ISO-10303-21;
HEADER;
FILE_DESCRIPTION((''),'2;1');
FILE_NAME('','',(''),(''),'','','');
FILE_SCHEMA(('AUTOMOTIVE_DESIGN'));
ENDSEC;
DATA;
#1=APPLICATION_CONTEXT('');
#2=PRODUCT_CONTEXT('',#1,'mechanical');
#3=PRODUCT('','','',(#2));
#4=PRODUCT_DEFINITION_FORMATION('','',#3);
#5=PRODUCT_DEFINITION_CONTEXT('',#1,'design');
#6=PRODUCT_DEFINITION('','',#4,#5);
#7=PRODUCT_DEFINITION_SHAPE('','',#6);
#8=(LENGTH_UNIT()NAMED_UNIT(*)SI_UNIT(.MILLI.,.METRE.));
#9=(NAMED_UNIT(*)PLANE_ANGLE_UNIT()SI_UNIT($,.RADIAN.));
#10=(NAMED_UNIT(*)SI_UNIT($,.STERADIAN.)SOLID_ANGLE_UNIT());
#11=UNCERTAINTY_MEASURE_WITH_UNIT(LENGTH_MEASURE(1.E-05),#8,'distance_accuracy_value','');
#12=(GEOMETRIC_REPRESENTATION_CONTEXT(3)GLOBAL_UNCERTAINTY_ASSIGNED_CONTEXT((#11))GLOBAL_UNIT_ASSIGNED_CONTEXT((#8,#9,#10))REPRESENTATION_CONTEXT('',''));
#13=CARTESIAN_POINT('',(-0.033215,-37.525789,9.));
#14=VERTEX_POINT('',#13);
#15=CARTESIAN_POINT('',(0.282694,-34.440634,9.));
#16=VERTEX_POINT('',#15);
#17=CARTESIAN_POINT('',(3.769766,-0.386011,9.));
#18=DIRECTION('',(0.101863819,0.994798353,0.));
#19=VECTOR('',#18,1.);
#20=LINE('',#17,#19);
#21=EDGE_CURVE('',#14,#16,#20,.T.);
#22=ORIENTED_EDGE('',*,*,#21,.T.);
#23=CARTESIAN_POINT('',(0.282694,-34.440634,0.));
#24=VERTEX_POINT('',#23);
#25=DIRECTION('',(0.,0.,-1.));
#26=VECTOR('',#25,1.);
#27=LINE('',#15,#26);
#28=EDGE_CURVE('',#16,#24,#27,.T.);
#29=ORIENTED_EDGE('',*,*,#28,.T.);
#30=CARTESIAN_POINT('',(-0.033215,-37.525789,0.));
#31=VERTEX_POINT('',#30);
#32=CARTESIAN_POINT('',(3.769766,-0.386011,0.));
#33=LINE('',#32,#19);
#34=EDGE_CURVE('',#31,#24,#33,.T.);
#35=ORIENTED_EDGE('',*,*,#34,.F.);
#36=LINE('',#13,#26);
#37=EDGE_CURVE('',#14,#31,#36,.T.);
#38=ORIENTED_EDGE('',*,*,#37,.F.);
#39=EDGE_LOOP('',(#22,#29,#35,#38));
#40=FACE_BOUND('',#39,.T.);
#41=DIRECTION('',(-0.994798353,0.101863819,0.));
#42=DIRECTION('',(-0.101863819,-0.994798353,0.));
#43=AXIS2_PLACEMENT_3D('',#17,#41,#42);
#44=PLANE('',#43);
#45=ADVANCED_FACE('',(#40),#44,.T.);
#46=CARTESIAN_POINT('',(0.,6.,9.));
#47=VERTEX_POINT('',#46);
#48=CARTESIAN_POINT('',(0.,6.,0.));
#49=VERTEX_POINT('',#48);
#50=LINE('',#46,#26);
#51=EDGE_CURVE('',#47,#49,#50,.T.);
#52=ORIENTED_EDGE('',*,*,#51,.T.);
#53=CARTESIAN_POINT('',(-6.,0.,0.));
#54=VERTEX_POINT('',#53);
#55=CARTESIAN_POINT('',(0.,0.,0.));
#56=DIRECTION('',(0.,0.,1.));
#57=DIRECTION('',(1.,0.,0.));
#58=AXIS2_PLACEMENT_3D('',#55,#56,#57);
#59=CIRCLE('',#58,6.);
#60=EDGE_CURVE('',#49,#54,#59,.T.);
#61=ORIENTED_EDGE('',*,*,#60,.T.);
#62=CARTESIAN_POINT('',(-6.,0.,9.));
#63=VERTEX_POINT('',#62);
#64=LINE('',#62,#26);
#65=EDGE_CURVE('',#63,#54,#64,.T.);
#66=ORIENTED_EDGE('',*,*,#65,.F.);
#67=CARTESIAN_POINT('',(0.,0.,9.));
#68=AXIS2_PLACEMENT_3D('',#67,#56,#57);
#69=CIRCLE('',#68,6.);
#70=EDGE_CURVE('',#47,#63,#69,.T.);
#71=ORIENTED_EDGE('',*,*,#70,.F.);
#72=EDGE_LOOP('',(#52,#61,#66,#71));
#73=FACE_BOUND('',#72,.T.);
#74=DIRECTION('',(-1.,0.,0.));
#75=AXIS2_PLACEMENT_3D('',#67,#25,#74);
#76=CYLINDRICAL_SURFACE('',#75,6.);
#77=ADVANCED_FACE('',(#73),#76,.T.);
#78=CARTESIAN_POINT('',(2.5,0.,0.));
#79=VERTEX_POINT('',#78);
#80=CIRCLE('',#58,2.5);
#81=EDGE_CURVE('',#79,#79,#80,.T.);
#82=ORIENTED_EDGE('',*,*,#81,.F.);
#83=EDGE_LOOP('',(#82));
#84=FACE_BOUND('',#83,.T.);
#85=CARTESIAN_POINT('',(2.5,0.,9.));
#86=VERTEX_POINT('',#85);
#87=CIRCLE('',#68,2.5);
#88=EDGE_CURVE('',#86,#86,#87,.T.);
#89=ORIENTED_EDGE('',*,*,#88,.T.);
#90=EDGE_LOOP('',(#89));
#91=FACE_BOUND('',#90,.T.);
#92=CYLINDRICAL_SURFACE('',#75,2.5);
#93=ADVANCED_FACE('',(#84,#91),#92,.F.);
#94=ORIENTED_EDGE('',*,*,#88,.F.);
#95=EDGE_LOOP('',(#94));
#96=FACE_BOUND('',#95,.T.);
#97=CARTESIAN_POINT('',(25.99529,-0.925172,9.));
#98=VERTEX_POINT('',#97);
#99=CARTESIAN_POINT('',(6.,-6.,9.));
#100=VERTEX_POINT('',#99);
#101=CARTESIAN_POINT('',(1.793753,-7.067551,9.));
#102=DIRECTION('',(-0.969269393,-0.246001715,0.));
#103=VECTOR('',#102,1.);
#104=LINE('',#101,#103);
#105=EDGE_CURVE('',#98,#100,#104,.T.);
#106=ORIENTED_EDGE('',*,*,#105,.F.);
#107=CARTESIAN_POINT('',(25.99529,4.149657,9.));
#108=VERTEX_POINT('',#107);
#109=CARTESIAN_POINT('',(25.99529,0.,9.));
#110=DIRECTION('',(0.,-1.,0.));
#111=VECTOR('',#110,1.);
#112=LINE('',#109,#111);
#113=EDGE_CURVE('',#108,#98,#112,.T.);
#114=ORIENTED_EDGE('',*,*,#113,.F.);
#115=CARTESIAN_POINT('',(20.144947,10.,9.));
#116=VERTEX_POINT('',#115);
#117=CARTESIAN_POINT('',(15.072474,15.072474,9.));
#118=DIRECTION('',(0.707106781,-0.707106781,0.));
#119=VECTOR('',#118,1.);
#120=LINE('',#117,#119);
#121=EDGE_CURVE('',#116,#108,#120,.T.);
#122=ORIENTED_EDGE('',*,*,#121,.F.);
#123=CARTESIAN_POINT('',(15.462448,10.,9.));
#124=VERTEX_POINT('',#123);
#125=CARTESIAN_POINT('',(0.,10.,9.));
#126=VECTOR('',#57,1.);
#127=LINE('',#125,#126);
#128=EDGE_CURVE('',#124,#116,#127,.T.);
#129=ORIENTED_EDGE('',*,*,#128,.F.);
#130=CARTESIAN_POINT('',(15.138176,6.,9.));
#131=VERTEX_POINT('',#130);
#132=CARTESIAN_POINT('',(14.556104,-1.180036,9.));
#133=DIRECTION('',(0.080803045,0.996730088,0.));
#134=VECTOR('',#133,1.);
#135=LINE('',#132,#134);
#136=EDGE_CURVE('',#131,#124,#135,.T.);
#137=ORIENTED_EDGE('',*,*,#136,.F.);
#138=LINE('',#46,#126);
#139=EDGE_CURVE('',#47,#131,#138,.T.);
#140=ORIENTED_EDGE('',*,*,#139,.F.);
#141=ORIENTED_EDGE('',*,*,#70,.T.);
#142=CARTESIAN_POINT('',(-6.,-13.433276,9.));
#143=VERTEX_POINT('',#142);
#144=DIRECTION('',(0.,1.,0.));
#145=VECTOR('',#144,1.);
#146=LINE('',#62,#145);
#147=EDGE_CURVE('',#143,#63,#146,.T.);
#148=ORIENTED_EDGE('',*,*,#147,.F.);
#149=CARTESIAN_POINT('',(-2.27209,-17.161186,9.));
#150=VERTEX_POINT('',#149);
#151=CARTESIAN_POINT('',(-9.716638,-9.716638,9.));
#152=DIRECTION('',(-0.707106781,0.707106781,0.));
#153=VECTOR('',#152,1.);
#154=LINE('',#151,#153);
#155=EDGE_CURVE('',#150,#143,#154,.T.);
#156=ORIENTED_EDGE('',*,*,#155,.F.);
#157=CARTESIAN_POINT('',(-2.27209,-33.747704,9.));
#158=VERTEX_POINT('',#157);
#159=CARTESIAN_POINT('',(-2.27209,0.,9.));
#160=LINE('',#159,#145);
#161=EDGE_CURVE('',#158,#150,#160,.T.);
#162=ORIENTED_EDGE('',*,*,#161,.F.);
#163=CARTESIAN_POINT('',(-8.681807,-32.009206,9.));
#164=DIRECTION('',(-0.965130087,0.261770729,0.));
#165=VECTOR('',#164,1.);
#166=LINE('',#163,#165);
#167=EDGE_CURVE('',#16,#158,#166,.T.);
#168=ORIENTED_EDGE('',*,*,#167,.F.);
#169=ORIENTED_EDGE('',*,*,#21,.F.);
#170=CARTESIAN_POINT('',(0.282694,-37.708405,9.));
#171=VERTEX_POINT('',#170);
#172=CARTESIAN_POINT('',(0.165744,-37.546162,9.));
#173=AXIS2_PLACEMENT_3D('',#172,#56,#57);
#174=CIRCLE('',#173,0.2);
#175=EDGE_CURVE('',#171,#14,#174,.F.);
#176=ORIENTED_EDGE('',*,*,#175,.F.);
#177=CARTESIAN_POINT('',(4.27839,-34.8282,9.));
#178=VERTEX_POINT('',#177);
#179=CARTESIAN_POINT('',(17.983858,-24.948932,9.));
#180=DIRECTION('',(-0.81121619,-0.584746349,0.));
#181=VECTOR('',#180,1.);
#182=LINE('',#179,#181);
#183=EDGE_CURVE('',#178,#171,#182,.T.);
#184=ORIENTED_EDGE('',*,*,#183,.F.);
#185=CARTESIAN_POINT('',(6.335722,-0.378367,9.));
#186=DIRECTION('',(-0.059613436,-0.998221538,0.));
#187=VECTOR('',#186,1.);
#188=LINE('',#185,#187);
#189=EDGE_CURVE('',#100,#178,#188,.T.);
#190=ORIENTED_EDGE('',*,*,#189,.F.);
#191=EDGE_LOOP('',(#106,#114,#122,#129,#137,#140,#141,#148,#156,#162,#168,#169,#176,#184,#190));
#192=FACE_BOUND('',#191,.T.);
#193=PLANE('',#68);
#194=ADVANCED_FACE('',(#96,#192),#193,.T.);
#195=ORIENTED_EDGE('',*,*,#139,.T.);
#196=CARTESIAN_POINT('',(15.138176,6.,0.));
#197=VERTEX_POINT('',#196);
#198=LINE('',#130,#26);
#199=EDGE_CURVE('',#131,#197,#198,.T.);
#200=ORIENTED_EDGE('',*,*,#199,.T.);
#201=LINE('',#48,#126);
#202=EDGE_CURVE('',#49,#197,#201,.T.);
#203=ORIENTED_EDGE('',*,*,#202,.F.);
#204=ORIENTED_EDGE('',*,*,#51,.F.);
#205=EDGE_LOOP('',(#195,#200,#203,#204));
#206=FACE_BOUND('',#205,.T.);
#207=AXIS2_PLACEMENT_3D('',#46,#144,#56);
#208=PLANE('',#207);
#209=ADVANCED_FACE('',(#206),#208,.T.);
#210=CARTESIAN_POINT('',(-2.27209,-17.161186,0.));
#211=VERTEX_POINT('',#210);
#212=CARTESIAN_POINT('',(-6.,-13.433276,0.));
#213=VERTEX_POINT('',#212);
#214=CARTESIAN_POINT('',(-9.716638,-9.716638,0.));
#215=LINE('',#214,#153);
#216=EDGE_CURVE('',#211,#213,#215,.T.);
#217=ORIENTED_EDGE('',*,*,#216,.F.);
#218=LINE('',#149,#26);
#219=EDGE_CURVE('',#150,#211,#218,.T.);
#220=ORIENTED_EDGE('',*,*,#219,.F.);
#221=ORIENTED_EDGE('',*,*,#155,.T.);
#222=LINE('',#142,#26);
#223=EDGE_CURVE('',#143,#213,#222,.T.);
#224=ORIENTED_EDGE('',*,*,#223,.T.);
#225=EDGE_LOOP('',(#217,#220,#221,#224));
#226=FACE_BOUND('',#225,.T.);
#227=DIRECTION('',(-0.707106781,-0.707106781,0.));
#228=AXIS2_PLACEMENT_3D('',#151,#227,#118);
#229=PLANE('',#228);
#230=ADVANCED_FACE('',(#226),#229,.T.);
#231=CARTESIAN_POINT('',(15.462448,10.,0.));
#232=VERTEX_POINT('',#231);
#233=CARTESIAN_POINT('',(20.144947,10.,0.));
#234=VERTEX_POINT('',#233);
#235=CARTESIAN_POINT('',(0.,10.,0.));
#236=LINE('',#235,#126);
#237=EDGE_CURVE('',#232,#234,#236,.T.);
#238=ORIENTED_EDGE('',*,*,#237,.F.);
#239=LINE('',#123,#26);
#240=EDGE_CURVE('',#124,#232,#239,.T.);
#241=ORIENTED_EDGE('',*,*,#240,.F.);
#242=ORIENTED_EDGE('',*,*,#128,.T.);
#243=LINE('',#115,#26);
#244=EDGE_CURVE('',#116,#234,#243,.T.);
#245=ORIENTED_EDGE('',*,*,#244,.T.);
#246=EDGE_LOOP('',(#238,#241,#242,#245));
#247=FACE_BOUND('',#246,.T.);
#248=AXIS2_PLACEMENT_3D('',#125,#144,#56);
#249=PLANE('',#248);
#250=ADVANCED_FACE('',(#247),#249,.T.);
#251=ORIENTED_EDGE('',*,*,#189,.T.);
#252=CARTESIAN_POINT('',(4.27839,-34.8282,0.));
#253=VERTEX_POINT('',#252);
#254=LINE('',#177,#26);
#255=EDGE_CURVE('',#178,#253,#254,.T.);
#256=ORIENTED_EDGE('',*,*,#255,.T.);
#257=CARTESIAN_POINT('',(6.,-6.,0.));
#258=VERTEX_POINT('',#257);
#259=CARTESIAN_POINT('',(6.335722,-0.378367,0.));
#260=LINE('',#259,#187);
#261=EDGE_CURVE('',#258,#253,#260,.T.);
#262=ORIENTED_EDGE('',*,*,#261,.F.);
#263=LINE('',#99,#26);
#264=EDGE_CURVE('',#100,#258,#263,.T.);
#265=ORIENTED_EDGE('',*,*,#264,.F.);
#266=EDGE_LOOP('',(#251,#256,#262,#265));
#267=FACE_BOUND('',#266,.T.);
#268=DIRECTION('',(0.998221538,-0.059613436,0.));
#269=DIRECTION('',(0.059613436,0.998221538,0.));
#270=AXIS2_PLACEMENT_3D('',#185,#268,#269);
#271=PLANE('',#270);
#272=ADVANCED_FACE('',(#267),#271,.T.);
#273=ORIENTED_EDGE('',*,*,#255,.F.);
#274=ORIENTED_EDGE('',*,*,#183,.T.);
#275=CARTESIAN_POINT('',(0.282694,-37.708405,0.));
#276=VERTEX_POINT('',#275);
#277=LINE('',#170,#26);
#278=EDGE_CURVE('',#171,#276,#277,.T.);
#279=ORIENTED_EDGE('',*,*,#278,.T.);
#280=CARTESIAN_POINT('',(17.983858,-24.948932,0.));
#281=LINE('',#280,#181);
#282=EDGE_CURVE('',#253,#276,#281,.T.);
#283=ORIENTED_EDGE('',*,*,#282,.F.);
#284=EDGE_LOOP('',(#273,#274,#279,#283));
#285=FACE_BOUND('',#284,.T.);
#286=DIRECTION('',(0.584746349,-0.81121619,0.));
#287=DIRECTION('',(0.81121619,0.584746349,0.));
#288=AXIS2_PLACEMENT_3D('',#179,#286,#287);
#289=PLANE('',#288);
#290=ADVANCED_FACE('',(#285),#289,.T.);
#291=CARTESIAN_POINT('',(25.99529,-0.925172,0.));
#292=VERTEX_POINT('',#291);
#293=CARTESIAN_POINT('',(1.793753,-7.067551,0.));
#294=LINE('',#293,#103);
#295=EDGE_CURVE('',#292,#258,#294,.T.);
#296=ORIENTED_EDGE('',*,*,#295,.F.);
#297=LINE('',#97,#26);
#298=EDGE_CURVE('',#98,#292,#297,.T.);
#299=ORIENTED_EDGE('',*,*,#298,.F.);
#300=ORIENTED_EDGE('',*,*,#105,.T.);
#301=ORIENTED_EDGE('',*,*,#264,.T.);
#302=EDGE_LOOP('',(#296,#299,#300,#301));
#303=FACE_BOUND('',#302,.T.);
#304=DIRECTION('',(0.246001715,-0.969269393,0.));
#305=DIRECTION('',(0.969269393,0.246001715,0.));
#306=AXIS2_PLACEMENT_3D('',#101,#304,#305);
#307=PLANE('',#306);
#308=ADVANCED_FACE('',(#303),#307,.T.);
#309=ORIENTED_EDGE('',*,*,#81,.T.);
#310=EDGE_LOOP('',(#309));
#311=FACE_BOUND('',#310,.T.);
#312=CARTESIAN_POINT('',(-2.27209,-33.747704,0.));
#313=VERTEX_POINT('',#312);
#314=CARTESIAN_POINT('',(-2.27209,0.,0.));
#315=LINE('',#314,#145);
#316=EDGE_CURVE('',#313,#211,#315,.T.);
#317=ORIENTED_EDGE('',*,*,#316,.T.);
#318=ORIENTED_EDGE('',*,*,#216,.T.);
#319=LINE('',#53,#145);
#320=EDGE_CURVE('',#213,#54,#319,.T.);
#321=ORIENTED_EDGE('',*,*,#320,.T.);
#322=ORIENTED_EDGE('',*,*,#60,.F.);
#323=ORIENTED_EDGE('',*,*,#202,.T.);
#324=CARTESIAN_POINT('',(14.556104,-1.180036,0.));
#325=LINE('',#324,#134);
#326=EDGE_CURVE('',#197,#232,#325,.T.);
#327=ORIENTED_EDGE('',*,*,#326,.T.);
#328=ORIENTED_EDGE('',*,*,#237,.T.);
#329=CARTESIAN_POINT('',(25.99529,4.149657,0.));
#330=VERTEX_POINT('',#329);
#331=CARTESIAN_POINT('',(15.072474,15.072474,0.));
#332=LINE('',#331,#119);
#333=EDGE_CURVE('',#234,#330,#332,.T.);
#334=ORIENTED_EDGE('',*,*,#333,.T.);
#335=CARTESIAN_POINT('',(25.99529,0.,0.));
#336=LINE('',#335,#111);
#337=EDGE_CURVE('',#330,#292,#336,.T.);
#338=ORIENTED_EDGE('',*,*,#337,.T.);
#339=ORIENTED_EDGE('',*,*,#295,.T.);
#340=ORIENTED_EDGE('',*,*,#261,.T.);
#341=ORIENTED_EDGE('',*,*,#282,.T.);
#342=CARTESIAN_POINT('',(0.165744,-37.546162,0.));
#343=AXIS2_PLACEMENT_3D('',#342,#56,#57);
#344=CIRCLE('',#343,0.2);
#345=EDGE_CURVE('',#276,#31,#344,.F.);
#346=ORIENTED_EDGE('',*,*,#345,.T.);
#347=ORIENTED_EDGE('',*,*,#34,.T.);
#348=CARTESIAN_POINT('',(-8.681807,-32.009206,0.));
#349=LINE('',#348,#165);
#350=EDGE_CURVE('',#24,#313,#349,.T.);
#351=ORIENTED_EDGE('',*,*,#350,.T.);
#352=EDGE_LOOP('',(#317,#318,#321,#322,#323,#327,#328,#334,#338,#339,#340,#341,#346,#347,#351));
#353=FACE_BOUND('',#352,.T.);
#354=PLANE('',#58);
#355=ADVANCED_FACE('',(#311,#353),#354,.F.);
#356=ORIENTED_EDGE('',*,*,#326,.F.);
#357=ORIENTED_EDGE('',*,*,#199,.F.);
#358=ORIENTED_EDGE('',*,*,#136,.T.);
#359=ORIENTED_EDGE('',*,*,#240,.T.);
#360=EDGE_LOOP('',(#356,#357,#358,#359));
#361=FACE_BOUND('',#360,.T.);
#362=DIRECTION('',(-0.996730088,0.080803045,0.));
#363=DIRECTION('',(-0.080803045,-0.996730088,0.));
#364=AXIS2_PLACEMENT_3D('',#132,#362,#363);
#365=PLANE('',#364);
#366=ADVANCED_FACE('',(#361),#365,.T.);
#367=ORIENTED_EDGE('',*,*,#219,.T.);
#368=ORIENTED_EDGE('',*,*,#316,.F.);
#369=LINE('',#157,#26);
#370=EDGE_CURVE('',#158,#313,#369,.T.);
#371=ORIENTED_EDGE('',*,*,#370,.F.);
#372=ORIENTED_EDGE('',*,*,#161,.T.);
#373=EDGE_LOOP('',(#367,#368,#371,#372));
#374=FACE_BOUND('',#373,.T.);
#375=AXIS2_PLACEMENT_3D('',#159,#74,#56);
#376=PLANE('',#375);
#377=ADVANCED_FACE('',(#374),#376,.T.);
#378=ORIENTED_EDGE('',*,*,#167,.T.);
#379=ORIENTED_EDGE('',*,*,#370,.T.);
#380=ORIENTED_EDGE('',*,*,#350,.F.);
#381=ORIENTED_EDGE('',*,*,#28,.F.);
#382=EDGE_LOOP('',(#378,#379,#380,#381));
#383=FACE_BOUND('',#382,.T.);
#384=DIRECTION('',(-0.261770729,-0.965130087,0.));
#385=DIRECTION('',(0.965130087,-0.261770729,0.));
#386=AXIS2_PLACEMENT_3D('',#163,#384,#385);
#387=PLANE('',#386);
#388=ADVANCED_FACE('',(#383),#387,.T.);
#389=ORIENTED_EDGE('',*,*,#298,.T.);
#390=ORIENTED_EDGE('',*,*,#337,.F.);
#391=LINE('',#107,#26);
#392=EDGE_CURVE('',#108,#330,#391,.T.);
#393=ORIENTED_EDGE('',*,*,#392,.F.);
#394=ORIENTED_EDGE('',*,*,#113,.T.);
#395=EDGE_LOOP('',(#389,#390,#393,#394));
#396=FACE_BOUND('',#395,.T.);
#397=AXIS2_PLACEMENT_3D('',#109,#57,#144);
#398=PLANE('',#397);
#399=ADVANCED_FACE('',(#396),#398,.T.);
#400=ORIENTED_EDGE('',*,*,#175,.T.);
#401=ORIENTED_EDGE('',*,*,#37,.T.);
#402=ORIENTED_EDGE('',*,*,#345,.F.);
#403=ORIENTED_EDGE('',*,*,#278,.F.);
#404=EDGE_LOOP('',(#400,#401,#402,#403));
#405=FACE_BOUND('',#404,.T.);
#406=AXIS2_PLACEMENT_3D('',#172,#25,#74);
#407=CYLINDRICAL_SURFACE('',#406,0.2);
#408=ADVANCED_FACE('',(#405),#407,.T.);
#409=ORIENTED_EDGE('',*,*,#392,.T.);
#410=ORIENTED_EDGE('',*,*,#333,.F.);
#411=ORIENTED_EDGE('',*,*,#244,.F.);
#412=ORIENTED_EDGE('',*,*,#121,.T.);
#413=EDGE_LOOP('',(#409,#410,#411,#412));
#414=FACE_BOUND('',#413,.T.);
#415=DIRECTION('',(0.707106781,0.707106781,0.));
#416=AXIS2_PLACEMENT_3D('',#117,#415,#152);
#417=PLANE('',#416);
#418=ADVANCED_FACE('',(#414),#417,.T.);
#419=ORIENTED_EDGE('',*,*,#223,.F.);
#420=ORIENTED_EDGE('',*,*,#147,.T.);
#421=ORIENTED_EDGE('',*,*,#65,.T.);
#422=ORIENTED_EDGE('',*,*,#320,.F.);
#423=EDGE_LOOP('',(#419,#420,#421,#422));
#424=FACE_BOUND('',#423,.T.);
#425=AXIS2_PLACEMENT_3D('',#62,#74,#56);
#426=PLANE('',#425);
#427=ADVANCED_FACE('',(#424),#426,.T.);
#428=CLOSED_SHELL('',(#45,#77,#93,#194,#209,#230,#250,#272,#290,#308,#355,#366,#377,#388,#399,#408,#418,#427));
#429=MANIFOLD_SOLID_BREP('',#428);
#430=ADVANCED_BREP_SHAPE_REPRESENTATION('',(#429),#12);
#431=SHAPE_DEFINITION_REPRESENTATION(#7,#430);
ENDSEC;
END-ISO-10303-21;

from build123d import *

# Parameters (mm, degrees)
SKETCH_1_R      = 6
SKETCH_1_R_2    = 2.5
EXTRUDE_1_DEPTH = 9


with BuildPart() as part:
    # 스케치1 → 보스-돌출1 (new body)
    # profile 1 of 2: a face of its own
    with BuildSketch(Plane.XY):
        with BuildLine():
            Line((15.138175611, 6), (0, 6))
            ThreePointArc((0, 6), (4.242640687, 4.242640687), (6, 0))
            ThreePointArc((6, 0), (0, -6), (-6, 0))
            Line((-6, 0), (-6, -13.433276283))
            Line((-6, -13.433276283), (-2.272089827, -17.161186456))
            Line((-2.272089827, -17.161186456), (-2.272089827, -33.747703831))
            Line((-2.272089827, -33.747703831), (0.282693742, -34.440633794))
            Line((0.282693742, -34.440633794), (-0.033215199, -37.525789008))
            ThreePointArc((-0.033215199, -37.525789008), (0.065651627, -37.719313216), (0.282693742, -37.70840501))
            Line((0.282693742, -37.70840501), (4.278390118, -34.828200083))
            Line((4.278390118, -34.828200083), (6, -6))
            Line((6, -6), (25.995290484, -0.925171702))
            Line((25.995290484, -0.925171702), (25.995290484, 4.149656597))
            Line((25.995290484, 4.149656597), (20.144947081, 10))
            Line((20.144947081, 10), (15.462448132, 10))
            Line((15.462448132, 10), (15.138175611, 6))
        make_face()
    # profile 2 of 2: a face of its own
    with BuildSketch(Plane.XY):
        Circle(SKETCH_1_R)
        Circle(SKETCH_1_R_2, mode=Mode.SUBTRACT)
    extrude(amount=EXTRUDE_1_DEPTH)


solid = part.part
